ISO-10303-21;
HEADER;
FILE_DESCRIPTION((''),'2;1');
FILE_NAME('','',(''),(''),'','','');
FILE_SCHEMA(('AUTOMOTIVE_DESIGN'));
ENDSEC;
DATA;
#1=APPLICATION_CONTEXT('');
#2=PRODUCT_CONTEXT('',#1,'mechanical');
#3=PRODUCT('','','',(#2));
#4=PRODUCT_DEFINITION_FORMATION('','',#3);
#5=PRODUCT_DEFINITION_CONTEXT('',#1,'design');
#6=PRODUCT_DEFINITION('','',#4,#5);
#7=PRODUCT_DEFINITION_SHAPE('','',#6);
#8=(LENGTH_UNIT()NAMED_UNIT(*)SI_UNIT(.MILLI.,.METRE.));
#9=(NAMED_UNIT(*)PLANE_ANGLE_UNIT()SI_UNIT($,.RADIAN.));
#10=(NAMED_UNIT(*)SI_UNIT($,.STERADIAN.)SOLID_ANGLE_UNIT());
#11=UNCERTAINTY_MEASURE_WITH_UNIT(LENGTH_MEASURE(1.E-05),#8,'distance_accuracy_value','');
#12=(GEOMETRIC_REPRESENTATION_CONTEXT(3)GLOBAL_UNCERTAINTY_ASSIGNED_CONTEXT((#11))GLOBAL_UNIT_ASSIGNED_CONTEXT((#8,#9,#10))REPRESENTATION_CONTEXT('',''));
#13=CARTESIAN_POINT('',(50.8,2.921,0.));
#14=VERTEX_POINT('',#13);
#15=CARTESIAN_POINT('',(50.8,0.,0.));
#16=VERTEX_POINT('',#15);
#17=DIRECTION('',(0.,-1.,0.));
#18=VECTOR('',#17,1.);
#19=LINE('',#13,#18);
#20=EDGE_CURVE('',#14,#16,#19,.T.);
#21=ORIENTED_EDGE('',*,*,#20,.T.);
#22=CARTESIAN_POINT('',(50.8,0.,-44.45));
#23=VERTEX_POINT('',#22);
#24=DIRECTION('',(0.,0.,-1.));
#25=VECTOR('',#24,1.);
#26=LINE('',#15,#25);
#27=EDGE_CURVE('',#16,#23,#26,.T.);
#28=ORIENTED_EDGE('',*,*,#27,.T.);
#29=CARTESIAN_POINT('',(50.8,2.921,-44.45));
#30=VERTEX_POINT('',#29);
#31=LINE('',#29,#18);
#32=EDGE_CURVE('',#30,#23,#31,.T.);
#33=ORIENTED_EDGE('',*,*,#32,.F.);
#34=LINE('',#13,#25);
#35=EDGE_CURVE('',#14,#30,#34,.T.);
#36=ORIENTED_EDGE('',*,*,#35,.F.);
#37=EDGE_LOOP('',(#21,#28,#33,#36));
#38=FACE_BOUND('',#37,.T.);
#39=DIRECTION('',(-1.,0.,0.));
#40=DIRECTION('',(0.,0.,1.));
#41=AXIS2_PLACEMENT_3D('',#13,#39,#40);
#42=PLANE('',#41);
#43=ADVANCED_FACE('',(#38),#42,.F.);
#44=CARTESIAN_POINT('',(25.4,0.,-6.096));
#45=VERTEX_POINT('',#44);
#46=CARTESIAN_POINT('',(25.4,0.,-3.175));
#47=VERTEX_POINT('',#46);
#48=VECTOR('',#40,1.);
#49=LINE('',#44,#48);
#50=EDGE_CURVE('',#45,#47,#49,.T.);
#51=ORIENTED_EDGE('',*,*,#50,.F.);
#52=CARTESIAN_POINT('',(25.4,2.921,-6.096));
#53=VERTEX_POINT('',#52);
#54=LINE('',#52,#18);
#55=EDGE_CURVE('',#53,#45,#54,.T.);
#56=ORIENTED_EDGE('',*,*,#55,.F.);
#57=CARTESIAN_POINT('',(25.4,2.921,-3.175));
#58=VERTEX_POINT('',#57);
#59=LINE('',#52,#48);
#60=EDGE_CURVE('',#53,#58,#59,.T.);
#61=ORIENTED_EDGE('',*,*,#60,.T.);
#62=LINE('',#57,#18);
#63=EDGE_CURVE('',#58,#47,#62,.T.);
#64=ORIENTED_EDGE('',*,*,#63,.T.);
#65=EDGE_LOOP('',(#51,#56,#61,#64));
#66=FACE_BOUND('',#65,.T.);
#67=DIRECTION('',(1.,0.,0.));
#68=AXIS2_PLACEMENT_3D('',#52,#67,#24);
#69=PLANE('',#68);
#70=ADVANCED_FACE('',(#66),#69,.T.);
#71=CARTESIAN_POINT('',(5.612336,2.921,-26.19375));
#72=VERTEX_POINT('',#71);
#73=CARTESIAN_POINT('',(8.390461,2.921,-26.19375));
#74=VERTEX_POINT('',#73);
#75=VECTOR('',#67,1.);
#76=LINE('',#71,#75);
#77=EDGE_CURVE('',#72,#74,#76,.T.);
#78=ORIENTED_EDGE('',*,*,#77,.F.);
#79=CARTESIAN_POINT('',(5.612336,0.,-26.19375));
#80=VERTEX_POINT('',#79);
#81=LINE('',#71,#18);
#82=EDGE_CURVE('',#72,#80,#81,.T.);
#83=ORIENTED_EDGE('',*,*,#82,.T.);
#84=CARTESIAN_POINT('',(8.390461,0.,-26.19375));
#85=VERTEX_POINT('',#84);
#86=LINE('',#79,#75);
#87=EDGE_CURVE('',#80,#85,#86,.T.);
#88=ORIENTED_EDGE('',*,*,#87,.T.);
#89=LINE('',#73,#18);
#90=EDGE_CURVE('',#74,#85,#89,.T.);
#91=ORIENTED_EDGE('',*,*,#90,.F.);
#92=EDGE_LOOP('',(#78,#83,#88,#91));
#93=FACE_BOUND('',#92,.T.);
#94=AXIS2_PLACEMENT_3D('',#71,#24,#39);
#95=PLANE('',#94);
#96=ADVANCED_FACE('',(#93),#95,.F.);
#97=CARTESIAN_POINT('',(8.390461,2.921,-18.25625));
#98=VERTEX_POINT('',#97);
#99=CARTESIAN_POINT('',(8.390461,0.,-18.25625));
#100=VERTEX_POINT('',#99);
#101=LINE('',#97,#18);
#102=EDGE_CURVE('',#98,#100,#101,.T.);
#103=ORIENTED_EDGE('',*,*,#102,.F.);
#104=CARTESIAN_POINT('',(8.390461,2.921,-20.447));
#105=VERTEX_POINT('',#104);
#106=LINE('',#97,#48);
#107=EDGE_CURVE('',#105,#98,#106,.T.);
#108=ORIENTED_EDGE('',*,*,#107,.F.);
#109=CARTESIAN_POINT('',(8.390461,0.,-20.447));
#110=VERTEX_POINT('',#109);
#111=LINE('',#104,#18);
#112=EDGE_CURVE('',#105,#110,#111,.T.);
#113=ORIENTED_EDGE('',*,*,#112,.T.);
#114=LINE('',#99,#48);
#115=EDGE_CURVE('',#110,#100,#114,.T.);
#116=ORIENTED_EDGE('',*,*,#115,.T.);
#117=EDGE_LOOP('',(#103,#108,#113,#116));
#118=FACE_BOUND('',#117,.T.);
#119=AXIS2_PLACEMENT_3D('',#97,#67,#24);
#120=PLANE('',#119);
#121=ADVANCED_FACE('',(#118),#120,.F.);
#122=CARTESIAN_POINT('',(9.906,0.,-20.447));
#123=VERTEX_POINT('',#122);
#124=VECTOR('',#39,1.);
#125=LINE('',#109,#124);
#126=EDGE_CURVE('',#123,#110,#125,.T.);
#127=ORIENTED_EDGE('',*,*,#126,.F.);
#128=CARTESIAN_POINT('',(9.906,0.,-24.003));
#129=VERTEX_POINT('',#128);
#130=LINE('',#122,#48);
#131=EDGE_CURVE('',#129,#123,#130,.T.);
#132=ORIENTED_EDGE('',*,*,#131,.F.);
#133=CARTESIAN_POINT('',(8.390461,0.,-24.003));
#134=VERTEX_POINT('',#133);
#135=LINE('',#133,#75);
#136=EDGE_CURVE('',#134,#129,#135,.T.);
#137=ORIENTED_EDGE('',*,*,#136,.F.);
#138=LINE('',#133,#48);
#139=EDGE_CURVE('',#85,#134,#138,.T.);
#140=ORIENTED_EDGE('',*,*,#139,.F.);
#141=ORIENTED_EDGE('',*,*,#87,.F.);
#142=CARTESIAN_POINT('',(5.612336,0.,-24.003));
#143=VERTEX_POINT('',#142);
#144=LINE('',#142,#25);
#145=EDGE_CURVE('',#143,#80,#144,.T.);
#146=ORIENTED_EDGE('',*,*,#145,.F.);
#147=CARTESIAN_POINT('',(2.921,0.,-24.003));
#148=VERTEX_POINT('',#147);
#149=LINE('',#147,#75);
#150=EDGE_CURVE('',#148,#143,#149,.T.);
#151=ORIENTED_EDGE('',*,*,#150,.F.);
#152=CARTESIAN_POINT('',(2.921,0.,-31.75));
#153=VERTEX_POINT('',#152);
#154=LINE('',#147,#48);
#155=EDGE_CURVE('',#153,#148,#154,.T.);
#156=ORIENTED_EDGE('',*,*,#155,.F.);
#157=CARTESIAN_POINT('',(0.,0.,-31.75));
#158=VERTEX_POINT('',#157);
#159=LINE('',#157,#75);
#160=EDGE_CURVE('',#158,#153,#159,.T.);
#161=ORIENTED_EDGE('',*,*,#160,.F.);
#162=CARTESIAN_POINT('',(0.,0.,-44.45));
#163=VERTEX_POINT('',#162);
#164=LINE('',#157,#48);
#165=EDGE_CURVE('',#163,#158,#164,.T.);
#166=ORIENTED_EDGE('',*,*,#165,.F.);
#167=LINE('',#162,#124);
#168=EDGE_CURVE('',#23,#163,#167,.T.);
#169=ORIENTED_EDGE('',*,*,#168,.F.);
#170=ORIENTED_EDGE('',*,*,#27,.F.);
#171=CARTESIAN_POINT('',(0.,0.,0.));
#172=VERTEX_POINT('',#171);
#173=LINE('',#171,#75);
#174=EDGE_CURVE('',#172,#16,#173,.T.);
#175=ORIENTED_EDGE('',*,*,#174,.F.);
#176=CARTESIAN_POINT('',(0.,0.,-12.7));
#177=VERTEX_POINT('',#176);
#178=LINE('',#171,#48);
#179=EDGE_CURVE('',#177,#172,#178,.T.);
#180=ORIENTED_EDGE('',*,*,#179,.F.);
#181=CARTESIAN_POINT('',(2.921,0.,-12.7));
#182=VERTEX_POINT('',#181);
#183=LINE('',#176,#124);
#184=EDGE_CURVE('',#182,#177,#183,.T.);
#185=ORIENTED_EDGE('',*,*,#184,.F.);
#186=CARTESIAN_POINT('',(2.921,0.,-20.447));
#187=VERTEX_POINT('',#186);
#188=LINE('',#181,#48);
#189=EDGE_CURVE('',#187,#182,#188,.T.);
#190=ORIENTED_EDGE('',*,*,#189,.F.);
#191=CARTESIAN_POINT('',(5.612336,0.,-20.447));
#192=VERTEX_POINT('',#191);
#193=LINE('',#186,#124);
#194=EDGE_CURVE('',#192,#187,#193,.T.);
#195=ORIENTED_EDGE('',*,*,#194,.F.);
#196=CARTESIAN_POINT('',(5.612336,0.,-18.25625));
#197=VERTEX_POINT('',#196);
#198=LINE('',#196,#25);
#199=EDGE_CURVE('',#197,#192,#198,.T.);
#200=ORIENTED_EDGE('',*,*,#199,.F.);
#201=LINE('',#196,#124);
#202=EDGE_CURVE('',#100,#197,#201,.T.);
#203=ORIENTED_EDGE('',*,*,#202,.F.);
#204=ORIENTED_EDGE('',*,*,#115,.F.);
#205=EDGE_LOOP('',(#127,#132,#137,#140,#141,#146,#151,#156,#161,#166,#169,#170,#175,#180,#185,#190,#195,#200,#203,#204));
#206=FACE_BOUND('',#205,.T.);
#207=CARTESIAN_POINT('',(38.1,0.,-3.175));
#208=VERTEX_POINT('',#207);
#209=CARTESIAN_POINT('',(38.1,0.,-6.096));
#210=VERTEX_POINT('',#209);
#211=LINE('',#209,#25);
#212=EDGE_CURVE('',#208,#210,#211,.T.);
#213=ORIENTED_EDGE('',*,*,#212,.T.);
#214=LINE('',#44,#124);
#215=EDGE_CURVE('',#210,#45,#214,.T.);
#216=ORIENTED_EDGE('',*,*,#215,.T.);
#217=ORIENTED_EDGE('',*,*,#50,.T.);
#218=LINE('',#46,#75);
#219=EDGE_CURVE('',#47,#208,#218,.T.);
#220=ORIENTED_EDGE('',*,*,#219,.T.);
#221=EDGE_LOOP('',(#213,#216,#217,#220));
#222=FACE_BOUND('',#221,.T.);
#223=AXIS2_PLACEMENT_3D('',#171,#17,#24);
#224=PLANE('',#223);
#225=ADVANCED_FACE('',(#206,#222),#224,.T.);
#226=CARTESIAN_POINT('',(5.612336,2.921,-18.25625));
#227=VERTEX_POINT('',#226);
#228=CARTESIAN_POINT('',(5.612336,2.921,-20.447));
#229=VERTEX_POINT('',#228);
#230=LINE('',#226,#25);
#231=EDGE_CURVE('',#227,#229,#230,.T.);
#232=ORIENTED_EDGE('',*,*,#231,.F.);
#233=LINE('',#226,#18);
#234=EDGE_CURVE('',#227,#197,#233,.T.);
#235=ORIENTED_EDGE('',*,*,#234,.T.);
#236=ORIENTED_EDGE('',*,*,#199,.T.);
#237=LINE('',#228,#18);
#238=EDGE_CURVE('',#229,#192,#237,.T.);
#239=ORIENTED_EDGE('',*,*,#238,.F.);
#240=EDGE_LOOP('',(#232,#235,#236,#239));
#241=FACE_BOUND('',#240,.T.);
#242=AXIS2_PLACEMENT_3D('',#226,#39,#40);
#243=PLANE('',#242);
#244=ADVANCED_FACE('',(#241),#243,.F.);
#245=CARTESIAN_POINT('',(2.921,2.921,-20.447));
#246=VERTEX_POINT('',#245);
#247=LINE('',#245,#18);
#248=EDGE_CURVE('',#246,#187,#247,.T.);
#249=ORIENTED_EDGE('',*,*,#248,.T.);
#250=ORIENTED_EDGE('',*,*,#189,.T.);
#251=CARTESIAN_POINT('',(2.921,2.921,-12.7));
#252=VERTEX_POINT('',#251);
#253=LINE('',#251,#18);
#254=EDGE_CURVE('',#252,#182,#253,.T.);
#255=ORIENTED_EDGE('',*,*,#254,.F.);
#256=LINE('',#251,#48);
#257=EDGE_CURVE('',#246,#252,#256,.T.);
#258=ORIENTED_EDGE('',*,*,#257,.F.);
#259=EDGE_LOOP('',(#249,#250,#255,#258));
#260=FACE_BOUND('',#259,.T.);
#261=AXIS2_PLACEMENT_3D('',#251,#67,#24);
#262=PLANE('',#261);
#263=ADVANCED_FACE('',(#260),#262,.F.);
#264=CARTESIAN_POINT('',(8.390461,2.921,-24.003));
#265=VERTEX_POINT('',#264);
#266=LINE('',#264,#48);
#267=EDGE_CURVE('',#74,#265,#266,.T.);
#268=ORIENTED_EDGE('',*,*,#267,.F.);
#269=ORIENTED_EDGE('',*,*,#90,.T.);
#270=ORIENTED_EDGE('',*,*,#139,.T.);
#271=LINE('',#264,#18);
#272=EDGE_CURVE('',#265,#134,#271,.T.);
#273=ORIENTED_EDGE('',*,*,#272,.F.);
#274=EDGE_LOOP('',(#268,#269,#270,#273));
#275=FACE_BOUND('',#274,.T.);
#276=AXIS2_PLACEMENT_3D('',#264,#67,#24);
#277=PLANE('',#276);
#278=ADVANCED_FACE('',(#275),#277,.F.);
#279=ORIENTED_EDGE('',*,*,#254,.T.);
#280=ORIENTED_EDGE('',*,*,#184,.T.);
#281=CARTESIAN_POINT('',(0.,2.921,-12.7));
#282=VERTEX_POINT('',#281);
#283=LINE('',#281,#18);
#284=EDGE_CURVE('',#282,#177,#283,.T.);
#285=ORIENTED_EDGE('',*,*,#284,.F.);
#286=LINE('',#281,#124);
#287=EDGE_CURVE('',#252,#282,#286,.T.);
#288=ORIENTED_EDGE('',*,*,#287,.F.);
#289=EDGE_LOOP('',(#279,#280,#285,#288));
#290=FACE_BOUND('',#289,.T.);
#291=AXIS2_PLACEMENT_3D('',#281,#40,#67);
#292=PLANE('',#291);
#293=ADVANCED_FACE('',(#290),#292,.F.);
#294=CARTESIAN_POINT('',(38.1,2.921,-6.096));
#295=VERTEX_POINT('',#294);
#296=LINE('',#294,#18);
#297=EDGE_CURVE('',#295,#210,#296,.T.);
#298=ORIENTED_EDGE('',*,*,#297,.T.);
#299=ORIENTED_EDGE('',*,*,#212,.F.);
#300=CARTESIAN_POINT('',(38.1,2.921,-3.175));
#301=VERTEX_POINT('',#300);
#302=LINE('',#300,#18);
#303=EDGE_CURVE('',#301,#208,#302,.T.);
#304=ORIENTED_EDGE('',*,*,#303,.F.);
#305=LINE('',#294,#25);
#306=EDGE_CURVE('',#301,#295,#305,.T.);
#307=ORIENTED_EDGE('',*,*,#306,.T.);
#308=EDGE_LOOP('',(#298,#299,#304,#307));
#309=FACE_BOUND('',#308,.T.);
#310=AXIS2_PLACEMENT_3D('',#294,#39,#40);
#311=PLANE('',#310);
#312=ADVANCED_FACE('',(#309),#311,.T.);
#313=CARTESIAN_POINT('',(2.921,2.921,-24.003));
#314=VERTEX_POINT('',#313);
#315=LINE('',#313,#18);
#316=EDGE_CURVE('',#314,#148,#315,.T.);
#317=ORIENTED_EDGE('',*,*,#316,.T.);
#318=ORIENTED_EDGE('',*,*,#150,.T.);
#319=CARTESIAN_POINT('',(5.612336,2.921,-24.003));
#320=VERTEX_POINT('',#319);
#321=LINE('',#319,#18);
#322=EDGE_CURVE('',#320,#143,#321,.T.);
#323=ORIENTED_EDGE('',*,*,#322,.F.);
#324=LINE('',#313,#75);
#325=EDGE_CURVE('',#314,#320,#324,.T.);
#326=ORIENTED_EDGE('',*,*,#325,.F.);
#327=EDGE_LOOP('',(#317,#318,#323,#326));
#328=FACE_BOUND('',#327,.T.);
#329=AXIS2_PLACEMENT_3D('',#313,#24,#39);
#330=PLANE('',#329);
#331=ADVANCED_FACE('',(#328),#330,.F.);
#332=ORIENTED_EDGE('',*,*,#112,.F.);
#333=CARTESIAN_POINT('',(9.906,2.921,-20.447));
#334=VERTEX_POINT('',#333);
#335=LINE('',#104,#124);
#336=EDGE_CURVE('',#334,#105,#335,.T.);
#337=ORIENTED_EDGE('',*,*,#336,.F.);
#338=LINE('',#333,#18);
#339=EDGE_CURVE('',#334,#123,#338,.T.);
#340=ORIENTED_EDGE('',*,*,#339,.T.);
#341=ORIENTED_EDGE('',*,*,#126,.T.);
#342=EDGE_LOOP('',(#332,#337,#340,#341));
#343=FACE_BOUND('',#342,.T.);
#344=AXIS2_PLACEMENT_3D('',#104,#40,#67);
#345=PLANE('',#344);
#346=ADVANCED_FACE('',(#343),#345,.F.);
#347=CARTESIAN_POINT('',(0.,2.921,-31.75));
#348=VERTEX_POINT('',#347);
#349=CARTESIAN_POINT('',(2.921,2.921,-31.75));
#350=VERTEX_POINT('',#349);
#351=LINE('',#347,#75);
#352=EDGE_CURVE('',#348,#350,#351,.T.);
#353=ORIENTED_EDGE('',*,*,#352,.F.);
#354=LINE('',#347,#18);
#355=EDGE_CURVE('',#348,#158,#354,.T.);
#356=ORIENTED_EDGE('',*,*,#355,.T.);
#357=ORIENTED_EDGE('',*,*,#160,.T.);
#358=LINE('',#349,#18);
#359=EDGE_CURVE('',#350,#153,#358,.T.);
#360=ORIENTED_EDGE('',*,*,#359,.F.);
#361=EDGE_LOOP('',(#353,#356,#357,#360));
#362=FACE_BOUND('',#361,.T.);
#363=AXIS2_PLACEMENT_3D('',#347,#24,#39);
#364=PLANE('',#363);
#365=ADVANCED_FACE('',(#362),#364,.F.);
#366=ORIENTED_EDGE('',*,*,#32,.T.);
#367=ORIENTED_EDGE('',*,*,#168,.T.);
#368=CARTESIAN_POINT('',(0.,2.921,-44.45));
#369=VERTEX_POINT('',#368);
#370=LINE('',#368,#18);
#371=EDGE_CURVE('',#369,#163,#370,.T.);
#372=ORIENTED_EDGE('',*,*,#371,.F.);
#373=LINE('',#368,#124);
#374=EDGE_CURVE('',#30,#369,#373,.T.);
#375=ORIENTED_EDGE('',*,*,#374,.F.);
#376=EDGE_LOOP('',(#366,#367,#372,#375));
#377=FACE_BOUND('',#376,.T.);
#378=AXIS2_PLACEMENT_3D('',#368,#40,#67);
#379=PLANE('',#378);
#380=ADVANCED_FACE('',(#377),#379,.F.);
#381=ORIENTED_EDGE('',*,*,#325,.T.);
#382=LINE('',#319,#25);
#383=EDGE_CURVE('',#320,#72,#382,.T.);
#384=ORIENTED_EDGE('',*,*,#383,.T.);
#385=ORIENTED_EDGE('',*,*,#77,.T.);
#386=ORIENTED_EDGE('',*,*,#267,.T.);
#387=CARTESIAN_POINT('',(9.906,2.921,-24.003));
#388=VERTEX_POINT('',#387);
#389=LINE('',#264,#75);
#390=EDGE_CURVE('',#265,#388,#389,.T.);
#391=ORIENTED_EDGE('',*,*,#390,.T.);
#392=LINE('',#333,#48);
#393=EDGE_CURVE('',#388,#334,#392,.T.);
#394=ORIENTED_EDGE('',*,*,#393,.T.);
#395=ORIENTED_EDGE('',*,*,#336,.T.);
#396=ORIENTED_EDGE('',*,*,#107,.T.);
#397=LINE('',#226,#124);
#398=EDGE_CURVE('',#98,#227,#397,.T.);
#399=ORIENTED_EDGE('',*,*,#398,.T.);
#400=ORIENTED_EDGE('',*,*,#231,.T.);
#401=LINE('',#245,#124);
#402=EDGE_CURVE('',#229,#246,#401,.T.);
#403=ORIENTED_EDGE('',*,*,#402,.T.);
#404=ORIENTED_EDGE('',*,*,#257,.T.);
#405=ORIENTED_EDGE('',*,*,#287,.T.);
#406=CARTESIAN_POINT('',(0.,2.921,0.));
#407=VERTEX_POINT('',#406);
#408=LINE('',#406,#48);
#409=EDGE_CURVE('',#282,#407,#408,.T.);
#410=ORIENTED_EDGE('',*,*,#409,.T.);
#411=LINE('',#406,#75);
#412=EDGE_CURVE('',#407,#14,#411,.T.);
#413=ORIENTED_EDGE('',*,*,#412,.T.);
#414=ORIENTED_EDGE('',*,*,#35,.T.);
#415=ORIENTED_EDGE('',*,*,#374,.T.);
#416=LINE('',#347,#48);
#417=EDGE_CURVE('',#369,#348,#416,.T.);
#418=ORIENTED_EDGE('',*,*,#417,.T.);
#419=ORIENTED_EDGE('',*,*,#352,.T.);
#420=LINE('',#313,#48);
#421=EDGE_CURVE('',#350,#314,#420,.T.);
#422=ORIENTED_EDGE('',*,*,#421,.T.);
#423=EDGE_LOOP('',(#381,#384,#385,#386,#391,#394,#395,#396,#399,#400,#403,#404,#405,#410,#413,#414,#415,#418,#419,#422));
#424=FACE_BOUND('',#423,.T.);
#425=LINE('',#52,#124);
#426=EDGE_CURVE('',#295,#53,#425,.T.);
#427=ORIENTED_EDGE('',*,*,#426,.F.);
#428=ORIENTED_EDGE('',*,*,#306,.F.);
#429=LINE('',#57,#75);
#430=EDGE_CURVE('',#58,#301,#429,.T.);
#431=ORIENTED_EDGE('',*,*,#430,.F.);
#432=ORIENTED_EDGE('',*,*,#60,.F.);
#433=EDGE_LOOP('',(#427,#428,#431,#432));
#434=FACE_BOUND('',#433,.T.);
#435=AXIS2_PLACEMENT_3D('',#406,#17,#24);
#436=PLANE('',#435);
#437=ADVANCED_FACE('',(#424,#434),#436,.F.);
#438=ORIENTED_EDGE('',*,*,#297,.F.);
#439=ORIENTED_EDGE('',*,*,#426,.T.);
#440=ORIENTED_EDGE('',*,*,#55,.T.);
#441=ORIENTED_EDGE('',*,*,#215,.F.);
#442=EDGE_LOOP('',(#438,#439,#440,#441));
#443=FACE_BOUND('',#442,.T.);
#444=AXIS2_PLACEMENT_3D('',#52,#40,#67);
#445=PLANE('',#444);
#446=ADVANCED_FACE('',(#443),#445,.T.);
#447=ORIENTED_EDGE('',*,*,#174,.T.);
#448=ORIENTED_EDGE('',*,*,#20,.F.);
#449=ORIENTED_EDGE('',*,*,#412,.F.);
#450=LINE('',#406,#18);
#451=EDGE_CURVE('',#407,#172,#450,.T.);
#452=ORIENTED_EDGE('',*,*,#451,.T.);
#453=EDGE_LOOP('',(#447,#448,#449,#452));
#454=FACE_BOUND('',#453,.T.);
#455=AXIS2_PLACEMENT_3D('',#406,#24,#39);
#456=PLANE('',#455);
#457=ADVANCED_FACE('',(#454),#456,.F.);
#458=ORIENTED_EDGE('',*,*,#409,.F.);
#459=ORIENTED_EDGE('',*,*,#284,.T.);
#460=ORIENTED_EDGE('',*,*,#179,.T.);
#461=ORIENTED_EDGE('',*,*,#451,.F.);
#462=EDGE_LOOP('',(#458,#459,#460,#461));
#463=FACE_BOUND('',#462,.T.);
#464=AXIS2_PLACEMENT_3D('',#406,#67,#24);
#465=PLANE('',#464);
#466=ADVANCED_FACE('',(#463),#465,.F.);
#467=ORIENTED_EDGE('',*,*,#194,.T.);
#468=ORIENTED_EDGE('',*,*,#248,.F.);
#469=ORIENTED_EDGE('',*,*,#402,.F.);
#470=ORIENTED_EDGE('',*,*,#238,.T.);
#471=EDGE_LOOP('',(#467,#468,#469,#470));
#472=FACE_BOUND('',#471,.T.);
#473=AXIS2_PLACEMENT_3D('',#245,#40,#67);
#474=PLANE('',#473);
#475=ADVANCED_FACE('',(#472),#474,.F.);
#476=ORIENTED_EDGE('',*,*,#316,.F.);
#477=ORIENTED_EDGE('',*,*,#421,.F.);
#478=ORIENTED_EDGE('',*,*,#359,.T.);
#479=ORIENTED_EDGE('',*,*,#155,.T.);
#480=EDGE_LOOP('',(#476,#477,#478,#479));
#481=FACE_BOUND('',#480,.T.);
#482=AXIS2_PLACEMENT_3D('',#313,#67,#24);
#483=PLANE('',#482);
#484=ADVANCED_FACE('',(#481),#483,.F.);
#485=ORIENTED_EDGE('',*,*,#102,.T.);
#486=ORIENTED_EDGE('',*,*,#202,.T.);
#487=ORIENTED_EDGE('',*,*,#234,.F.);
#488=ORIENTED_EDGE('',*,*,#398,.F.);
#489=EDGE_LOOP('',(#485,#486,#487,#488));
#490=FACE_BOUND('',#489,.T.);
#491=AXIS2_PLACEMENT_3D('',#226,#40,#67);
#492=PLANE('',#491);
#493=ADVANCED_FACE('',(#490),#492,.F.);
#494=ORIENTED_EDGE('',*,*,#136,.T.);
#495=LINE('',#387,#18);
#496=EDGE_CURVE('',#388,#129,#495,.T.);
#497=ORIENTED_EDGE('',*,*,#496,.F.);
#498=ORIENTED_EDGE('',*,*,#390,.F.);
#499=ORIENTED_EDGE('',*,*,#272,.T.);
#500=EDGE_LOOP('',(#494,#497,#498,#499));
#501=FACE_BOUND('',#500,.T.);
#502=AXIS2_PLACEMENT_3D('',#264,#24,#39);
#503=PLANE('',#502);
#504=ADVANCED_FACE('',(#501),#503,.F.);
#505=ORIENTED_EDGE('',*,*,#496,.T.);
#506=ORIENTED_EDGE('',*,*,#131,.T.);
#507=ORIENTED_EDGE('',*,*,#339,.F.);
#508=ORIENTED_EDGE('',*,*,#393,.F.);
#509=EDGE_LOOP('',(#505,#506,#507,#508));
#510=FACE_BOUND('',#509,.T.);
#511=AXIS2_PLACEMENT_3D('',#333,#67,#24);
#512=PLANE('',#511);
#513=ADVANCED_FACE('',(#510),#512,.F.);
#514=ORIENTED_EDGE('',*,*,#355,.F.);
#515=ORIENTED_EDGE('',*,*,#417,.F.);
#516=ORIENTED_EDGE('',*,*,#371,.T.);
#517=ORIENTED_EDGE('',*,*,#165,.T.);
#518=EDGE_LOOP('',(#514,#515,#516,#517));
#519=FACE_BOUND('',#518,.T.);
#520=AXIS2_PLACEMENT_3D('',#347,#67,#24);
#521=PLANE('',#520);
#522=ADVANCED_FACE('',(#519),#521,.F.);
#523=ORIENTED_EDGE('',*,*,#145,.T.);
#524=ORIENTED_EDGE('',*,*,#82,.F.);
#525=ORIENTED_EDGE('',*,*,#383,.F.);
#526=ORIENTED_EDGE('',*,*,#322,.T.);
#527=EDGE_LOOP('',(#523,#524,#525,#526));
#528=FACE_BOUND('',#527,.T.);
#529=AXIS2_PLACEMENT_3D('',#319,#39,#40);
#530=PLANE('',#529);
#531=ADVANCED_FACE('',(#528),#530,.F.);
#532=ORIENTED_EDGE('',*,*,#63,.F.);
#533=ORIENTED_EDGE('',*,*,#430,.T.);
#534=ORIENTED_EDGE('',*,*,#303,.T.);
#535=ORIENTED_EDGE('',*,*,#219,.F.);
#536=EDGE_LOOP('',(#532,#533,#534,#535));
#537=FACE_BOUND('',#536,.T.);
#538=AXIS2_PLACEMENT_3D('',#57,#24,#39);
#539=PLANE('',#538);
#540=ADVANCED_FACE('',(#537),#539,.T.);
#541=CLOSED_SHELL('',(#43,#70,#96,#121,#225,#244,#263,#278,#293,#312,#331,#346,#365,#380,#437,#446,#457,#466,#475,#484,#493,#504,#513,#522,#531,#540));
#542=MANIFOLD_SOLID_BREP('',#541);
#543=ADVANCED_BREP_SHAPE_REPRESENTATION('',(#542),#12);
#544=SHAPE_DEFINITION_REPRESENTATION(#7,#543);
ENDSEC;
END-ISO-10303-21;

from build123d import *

# Parameters (mm, degrees)
SKETCH1_W           = 12.7
SKETCH1_H           = 2.921
BOSS_EXTRUDE1_DEPTH = 2.921


with BuildPart() as part:
    # Sketch1 → Boss-Extrude1 (new body)
    with BuildSketch(Plane(origin=(0, 0, 0), x_dir=(1, 0, 0), z_dir=(0, 1, 0))):
        Polygon((0, 31.75), (0, 44.45), (50.8, 44.45), (50.8, 0), (0, 0), (0, 12.7), (2.921, 12.7), (2.921, 20.447), (5.612336386, 20.447), (5.612336386, 18.25625), (8.390461386, 18.25625), (8.390461386, 20.447), (9.906, 20.447), (9.906, 24.003), (8.390461386, 24.003), (8.390461386, 26.19375), (5.612336386, 26.19375), (5.612336386, 24.003), (2.921, 24.003), (2.921, 31.75), align=None)
        with Locations((31.75, 4.6355)):
            Rectangle(SKETCH1_W, SKETCH1_H, mode=Mode.SUBTRACT)
    extrude(amount=BOSS_EXTRUDE1_DEPTH)


solid = part.part
